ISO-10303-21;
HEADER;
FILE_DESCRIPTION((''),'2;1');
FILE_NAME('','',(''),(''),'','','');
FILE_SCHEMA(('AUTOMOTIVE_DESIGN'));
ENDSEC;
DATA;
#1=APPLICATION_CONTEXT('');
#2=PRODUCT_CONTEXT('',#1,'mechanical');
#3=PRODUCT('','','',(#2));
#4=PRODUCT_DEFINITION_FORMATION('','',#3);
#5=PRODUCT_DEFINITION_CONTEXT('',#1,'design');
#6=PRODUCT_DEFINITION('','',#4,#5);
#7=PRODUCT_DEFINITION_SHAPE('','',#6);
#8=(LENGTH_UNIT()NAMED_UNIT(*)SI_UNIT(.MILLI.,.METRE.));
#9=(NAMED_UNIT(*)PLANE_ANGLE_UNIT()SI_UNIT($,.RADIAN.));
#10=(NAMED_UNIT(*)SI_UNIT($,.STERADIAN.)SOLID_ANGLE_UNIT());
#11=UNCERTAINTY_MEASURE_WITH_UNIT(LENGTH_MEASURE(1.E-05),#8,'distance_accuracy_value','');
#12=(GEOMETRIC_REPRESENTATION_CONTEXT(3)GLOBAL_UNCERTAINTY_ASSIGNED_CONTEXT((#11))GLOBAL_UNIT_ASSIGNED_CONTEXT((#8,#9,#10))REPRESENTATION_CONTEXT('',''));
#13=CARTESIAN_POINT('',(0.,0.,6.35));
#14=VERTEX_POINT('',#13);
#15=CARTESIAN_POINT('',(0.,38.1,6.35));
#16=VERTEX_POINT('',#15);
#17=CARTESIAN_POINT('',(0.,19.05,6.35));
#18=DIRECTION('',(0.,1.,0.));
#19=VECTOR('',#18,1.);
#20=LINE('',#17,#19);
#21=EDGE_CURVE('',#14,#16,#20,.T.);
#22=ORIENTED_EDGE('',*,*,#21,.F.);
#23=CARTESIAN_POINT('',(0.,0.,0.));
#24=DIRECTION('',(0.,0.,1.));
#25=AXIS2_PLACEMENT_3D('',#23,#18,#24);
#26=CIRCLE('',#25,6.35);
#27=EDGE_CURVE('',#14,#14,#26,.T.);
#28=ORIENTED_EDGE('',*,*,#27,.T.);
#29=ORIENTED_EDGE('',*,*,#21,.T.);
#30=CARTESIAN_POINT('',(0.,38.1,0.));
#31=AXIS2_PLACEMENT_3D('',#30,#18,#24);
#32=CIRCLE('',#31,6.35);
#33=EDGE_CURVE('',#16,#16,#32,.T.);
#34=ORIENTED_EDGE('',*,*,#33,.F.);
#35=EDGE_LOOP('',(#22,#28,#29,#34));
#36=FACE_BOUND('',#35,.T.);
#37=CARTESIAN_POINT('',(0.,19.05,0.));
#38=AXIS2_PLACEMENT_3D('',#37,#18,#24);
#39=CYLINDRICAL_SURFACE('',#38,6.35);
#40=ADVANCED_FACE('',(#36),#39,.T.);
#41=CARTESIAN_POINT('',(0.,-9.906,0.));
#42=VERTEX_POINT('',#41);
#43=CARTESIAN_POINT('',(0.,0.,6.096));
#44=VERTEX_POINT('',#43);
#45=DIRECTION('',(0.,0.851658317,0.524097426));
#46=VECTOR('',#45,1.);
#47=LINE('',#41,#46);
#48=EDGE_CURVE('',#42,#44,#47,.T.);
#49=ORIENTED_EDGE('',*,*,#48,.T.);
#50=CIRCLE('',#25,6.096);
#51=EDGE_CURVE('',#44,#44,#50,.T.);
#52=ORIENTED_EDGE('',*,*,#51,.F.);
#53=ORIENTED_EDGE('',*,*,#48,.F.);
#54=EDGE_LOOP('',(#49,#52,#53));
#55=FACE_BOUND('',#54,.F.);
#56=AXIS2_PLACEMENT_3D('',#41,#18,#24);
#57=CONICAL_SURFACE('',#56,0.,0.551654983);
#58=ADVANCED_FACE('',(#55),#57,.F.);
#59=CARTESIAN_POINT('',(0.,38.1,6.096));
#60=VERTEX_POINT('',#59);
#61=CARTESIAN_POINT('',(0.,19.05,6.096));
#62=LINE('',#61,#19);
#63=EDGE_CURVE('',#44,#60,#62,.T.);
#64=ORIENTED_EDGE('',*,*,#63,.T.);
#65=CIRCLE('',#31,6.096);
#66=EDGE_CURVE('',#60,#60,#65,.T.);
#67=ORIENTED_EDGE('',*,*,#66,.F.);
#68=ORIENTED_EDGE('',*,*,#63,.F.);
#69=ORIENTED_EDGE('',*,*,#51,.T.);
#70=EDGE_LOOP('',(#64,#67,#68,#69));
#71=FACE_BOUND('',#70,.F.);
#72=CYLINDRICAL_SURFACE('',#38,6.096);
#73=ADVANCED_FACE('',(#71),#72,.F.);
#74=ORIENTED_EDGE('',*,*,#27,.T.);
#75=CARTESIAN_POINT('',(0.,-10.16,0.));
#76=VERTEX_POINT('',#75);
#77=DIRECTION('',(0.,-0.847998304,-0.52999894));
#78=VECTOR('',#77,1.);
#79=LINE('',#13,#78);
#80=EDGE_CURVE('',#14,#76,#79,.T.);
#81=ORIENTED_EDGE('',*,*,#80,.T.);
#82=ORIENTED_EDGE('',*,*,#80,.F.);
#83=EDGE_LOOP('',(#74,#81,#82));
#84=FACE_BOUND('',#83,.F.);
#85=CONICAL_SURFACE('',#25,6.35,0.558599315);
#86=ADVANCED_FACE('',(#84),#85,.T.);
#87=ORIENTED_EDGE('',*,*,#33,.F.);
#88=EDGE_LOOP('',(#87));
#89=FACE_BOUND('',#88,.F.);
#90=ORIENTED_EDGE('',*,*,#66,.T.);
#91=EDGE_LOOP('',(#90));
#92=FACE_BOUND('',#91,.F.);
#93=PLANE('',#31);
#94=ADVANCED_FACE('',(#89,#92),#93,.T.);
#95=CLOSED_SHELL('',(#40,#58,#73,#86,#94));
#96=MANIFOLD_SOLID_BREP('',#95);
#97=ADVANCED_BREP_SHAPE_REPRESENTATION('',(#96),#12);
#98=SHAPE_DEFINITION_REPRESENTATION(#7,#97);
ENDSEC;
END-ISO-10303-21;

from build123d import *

# Parameters (mm, degrees)
F0_W = 38.1
F0_H = 0.254


with BuildPart() as f1:
    # F0 (on Right) → F1 (revolve)
    with BuildSketch(Plane.YZ):
        Polygon((-9.906, 0), (0, 6.096), (0, 6.35), (-10.16, 0), align=None)
        with Locations((19.05, 6.223)):
            Rectangle(F0_W, F0_H)
    revolve(axis=Axis((0, 19.05, 0), (0, 1, 0)))


solid = f1.part
